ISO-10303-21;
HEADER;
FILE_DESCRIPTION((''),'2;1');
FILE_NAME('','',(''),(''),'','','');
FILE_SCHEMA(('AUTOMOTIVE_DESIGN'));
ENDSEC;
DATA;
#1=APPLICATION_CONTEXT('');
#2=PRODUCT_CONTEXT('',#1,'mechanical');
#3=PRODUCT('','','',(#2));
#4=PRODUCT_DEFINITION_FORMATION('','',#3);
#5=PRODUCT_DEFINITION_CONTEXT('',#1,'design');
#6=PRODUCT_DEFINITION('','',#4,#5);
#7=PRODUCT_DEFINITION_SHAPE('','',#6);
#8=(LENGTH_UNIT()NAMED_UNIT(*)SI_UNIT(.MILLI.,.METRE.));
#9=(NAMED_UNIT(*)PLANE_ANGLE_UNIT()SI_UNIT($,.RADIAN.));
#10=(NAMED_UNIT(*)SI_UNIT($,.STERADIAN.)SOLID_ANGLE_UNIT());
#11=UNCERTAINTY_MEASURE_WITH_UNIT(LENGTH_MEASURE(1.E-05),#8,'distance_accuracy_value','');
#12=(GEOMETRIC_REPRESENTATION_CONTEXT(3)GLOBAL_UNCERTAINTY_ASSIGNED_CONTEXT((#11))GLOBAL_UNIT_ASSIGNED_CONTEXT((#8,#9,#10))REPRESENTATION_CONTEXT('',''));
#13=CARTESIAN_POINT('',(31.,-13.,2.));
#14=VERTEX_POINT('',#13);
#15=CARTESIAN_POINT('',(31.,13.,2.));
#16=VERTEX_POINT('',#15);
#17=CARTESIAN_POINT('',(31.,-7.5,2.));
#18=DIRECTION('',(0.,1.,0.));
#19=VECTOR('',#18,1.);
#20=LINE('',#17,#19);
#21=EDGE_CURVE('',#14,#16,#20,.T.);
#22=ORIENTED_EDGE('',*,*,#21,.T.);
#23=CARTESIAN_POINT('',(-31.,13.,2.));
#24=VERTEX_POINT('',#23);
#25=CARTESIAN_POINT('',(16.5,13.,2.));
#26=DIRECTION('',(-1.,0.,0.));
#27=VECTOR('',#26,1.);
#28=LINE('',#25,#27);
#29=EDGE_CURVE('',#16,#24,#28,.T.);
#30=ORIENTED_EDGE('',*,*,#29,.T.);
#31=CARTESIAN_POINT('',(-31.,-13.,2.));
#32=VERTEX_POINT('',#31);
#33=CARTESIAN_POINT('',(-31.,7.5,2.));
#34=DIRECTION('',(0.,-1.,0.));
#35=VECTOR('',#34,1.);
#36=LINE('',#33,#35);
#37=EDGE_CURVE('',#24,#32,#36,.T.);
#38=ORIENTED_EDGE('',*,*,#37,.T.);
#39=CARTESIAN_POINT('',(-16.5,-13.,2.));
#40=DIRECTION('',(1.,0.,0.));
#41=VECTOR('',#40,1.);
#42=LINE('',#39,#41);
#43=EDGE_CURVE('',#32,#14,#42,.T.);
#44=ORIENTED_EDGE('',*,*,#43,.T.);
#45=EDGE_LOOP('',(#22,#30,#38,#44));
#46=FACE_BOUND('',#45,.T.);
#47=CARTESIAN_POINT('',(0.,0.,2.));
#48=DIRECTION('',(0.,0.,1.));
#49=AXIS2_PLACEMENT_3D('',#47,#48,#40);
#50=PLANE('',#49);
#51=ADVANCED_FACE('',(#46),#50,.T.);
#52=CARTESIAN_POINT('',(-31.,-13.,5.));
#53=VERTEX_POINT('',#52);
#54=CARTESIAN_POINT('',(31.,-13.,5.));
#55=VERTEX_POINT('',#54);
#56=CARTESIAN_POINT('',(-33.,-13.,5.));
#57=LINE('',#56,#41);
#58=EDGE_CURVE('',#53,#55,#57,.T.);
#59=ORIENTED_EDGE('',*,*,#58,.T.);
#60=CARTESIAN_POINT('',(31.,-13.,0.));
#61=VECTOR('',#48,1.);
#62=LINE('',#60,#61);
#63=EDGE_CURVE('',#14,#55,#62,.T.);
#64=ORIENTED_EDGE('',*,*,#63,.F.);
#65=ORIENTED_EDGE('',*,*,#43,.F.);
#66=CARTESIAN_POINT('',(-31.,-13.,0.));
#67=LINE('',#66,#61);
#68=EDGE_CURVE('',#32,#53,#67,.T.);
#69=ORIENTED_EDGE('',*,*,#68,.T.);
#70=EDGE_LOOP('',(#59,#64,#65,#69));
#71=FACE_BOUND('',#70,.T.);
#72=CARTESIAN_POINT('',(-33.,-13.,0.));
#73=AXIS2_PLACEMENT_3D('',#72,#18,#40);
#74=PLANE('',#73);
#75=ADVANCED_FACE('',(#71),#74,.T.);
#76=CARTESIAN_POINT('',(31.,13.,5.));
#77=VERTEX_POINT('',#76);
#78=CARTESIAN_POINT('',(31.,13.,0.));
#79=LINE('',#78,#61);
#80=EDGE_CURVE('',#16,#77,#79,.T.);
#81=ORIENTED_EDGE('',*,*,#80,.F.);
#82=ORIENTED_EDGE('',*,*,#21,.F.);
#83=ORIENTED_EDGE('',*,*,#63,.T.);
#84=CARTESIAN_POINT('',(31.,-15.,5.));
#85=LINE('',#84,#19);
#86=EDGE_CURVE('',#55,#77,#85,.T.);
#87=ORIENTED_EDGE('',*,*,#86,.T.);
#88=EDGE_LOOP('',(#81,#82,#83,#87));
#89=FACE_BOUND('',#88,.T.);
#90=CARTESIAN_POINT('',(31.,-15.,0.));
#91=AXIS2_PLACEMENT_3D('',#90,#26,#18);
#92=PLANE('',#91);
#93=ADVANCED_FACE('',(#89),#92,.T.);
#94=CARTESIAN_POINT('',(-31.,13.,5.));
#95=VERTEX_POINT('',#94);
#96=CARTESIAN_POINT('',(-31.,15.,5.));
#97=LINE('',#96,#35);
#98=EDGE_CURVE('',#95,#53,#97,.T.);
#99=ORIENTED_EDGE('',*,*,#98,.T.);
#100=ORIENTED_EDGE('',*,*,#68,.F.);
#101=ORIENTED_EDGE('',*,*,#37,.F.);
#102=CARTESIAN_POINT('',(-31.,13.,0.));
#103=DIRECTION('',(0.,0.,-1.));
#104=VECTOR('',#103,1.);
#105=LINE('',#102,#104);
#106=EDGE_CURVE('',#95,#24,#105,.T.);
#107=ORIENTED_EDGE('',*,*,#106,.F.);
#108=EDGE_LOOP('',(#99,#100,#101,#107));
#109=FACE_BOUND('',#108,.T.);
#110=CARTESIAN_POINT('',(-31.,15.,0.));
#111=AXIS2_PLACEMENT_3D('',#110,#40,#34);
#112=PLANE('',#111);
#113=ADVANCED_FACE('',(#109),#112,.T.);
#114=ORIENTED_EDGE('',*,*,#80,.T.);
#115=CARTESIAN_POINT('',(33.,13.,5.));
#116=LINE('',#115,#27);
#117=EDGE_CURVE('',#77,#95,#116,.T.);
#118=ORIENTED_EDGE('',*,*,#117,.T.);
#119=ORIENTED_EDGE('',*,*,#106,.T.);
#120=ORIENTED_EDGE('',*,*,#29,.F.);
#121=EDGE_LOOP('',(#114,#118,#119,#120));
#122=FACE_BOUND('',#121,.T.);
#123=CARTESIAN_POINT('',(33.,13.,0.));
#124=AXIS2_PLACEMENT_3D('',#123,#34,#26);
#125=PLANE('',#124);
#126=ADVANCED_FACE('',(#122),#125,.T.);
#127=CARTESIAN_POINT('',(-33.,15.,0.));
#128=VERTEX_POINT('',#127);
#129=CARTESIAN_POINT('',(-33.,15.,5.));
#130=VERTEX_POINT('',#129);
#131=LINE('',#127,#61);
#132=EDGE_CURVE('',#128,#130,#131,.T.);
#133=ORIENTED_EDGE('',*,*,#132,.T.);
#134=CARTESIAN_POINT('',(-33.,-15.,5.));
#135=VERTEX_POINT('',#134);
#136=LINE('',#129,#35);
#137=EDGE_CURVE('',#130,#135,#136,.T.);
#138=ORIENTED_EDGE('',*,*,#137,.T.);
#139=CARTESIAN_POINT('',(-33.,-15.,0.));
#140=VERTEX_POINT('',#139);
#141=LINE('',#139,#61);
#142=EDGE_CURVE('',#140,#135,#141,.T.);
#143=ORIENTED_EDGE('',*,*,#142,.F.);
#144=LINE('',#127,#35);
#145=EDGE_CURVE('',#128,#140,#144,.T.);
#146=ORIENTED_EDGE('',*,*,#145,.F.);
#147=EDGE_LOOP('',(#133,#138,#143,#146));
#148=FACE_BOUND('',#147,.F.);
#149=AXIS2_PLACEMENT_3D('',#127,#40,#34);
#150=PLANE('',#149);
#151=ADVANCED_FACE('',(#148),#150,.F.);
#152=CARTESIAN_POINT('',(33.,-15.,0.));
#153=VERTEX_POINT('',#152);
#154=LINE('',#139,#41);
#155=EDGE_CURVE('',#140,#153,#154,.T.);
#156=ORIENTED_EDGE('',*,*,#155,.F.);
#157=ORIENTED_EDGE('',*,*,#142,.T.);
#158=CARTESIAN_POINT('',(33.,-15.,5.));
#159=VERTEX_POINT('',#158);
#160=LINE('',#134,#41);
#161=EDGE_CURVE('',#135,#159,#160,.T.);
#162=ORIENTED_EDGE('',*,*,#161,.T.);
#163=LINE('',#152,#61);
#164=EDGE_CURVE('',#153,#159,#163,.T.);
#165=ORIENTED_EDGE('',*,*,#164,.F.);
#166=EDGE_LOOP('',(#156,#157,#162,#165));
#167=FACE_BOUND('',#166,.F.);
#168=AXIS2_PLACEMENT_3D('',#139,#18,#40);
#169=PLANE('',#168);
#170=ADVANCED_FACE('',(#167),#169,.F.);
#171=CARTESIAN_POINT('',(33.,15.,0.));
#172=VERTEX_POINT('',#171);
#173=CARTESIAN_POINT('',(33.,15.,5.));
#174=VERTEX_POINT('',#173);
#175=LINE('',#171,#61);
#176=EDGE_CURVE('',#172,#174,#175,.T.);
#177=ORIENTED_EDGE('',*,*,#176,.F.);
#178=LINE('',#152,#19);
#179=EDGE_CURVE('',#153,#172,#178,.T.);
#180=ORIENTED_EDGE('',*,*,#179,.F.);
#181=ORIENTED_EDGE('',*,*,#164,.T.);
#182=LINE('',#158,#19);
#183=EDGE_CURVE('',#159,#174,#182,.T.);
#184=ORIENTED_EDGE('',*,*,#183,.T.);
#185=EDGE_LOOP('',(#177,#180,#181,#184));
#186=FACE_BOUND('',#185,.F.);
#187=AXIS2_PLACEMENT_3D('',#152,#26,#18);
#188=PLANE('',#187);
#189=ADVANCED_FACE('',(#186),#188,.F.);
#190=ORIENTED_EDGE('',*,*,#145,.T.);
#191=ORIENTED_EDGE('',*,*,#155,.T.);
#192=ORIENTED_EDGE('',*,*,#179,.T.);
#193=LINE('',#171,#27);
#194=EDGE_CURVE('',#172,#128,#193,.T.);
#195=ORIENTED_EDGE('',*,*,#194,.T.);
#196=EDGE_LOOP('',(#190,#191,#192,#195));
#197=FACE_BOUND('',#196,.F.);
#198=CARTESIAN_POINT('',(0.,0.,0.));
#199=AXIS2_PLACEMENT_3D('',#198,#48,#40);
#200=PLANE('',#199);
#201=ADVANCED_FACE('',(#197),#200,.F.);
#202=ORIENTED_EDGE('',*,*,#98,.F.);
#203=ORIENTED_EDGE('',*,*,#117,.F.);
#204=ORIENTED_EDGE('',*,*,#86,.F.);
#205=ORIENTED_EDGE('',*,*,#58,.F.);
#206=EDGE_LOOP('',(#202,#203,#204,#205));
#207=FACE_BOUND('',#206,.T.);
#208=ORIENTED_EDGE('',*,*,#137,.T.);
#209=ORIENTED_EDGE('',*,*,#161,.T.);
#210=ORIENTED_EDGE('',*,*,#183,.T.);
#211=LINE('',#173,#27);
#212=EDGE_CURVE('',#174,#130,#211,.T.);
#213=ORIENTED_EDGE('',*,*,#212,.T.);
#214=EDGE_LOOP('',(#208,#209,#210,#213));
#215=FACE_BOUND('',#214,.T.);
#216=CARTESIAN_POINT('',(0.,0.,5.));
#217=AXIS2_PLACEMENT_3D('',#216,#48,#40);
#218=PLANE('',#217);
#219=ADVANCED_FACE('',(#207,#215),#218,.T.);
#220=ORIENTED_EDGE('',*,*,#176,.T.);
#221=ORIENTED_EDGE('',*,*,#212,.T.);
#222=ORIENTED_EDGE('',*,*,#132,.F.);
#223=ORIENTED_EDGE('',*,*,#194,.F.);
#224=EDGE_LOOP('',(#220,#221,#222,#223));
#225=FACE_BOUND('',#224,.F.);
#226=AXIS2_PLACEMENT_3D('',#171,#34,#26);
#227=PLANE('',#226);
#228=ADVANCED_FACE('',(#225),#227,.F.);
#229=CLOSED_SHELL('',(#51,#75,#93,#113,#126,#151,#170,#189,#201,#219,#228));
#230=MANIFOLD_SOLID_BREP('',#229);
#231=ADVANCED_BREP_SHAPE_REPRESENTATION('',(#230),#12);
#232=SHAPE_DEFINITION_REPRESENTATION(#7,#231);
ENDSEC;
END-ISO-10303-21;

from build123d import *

# Parameters (mm, degrees)
F1_DEPTH = 5
F2_T     = -2


with BuildPart() as f1:
    # F0 (on Top) → F1 (new body)
    with BuildSketch(Plane.XY):
        Polygon((0, 15), (-33, 15), (-33, 0), (-33, -15), (0, -15), (33, -15), (33, 0), (33, 15), align=None)
    extrude(amount=F1_DEPTH)

    # F2
    f2_openings = [f1.faces().sort_by_distance(p)[0] for p in [
        (0, 0, 5),
    ]]
    offset(amount=F2_T, openings=f2_openings)


solid = f1.part
